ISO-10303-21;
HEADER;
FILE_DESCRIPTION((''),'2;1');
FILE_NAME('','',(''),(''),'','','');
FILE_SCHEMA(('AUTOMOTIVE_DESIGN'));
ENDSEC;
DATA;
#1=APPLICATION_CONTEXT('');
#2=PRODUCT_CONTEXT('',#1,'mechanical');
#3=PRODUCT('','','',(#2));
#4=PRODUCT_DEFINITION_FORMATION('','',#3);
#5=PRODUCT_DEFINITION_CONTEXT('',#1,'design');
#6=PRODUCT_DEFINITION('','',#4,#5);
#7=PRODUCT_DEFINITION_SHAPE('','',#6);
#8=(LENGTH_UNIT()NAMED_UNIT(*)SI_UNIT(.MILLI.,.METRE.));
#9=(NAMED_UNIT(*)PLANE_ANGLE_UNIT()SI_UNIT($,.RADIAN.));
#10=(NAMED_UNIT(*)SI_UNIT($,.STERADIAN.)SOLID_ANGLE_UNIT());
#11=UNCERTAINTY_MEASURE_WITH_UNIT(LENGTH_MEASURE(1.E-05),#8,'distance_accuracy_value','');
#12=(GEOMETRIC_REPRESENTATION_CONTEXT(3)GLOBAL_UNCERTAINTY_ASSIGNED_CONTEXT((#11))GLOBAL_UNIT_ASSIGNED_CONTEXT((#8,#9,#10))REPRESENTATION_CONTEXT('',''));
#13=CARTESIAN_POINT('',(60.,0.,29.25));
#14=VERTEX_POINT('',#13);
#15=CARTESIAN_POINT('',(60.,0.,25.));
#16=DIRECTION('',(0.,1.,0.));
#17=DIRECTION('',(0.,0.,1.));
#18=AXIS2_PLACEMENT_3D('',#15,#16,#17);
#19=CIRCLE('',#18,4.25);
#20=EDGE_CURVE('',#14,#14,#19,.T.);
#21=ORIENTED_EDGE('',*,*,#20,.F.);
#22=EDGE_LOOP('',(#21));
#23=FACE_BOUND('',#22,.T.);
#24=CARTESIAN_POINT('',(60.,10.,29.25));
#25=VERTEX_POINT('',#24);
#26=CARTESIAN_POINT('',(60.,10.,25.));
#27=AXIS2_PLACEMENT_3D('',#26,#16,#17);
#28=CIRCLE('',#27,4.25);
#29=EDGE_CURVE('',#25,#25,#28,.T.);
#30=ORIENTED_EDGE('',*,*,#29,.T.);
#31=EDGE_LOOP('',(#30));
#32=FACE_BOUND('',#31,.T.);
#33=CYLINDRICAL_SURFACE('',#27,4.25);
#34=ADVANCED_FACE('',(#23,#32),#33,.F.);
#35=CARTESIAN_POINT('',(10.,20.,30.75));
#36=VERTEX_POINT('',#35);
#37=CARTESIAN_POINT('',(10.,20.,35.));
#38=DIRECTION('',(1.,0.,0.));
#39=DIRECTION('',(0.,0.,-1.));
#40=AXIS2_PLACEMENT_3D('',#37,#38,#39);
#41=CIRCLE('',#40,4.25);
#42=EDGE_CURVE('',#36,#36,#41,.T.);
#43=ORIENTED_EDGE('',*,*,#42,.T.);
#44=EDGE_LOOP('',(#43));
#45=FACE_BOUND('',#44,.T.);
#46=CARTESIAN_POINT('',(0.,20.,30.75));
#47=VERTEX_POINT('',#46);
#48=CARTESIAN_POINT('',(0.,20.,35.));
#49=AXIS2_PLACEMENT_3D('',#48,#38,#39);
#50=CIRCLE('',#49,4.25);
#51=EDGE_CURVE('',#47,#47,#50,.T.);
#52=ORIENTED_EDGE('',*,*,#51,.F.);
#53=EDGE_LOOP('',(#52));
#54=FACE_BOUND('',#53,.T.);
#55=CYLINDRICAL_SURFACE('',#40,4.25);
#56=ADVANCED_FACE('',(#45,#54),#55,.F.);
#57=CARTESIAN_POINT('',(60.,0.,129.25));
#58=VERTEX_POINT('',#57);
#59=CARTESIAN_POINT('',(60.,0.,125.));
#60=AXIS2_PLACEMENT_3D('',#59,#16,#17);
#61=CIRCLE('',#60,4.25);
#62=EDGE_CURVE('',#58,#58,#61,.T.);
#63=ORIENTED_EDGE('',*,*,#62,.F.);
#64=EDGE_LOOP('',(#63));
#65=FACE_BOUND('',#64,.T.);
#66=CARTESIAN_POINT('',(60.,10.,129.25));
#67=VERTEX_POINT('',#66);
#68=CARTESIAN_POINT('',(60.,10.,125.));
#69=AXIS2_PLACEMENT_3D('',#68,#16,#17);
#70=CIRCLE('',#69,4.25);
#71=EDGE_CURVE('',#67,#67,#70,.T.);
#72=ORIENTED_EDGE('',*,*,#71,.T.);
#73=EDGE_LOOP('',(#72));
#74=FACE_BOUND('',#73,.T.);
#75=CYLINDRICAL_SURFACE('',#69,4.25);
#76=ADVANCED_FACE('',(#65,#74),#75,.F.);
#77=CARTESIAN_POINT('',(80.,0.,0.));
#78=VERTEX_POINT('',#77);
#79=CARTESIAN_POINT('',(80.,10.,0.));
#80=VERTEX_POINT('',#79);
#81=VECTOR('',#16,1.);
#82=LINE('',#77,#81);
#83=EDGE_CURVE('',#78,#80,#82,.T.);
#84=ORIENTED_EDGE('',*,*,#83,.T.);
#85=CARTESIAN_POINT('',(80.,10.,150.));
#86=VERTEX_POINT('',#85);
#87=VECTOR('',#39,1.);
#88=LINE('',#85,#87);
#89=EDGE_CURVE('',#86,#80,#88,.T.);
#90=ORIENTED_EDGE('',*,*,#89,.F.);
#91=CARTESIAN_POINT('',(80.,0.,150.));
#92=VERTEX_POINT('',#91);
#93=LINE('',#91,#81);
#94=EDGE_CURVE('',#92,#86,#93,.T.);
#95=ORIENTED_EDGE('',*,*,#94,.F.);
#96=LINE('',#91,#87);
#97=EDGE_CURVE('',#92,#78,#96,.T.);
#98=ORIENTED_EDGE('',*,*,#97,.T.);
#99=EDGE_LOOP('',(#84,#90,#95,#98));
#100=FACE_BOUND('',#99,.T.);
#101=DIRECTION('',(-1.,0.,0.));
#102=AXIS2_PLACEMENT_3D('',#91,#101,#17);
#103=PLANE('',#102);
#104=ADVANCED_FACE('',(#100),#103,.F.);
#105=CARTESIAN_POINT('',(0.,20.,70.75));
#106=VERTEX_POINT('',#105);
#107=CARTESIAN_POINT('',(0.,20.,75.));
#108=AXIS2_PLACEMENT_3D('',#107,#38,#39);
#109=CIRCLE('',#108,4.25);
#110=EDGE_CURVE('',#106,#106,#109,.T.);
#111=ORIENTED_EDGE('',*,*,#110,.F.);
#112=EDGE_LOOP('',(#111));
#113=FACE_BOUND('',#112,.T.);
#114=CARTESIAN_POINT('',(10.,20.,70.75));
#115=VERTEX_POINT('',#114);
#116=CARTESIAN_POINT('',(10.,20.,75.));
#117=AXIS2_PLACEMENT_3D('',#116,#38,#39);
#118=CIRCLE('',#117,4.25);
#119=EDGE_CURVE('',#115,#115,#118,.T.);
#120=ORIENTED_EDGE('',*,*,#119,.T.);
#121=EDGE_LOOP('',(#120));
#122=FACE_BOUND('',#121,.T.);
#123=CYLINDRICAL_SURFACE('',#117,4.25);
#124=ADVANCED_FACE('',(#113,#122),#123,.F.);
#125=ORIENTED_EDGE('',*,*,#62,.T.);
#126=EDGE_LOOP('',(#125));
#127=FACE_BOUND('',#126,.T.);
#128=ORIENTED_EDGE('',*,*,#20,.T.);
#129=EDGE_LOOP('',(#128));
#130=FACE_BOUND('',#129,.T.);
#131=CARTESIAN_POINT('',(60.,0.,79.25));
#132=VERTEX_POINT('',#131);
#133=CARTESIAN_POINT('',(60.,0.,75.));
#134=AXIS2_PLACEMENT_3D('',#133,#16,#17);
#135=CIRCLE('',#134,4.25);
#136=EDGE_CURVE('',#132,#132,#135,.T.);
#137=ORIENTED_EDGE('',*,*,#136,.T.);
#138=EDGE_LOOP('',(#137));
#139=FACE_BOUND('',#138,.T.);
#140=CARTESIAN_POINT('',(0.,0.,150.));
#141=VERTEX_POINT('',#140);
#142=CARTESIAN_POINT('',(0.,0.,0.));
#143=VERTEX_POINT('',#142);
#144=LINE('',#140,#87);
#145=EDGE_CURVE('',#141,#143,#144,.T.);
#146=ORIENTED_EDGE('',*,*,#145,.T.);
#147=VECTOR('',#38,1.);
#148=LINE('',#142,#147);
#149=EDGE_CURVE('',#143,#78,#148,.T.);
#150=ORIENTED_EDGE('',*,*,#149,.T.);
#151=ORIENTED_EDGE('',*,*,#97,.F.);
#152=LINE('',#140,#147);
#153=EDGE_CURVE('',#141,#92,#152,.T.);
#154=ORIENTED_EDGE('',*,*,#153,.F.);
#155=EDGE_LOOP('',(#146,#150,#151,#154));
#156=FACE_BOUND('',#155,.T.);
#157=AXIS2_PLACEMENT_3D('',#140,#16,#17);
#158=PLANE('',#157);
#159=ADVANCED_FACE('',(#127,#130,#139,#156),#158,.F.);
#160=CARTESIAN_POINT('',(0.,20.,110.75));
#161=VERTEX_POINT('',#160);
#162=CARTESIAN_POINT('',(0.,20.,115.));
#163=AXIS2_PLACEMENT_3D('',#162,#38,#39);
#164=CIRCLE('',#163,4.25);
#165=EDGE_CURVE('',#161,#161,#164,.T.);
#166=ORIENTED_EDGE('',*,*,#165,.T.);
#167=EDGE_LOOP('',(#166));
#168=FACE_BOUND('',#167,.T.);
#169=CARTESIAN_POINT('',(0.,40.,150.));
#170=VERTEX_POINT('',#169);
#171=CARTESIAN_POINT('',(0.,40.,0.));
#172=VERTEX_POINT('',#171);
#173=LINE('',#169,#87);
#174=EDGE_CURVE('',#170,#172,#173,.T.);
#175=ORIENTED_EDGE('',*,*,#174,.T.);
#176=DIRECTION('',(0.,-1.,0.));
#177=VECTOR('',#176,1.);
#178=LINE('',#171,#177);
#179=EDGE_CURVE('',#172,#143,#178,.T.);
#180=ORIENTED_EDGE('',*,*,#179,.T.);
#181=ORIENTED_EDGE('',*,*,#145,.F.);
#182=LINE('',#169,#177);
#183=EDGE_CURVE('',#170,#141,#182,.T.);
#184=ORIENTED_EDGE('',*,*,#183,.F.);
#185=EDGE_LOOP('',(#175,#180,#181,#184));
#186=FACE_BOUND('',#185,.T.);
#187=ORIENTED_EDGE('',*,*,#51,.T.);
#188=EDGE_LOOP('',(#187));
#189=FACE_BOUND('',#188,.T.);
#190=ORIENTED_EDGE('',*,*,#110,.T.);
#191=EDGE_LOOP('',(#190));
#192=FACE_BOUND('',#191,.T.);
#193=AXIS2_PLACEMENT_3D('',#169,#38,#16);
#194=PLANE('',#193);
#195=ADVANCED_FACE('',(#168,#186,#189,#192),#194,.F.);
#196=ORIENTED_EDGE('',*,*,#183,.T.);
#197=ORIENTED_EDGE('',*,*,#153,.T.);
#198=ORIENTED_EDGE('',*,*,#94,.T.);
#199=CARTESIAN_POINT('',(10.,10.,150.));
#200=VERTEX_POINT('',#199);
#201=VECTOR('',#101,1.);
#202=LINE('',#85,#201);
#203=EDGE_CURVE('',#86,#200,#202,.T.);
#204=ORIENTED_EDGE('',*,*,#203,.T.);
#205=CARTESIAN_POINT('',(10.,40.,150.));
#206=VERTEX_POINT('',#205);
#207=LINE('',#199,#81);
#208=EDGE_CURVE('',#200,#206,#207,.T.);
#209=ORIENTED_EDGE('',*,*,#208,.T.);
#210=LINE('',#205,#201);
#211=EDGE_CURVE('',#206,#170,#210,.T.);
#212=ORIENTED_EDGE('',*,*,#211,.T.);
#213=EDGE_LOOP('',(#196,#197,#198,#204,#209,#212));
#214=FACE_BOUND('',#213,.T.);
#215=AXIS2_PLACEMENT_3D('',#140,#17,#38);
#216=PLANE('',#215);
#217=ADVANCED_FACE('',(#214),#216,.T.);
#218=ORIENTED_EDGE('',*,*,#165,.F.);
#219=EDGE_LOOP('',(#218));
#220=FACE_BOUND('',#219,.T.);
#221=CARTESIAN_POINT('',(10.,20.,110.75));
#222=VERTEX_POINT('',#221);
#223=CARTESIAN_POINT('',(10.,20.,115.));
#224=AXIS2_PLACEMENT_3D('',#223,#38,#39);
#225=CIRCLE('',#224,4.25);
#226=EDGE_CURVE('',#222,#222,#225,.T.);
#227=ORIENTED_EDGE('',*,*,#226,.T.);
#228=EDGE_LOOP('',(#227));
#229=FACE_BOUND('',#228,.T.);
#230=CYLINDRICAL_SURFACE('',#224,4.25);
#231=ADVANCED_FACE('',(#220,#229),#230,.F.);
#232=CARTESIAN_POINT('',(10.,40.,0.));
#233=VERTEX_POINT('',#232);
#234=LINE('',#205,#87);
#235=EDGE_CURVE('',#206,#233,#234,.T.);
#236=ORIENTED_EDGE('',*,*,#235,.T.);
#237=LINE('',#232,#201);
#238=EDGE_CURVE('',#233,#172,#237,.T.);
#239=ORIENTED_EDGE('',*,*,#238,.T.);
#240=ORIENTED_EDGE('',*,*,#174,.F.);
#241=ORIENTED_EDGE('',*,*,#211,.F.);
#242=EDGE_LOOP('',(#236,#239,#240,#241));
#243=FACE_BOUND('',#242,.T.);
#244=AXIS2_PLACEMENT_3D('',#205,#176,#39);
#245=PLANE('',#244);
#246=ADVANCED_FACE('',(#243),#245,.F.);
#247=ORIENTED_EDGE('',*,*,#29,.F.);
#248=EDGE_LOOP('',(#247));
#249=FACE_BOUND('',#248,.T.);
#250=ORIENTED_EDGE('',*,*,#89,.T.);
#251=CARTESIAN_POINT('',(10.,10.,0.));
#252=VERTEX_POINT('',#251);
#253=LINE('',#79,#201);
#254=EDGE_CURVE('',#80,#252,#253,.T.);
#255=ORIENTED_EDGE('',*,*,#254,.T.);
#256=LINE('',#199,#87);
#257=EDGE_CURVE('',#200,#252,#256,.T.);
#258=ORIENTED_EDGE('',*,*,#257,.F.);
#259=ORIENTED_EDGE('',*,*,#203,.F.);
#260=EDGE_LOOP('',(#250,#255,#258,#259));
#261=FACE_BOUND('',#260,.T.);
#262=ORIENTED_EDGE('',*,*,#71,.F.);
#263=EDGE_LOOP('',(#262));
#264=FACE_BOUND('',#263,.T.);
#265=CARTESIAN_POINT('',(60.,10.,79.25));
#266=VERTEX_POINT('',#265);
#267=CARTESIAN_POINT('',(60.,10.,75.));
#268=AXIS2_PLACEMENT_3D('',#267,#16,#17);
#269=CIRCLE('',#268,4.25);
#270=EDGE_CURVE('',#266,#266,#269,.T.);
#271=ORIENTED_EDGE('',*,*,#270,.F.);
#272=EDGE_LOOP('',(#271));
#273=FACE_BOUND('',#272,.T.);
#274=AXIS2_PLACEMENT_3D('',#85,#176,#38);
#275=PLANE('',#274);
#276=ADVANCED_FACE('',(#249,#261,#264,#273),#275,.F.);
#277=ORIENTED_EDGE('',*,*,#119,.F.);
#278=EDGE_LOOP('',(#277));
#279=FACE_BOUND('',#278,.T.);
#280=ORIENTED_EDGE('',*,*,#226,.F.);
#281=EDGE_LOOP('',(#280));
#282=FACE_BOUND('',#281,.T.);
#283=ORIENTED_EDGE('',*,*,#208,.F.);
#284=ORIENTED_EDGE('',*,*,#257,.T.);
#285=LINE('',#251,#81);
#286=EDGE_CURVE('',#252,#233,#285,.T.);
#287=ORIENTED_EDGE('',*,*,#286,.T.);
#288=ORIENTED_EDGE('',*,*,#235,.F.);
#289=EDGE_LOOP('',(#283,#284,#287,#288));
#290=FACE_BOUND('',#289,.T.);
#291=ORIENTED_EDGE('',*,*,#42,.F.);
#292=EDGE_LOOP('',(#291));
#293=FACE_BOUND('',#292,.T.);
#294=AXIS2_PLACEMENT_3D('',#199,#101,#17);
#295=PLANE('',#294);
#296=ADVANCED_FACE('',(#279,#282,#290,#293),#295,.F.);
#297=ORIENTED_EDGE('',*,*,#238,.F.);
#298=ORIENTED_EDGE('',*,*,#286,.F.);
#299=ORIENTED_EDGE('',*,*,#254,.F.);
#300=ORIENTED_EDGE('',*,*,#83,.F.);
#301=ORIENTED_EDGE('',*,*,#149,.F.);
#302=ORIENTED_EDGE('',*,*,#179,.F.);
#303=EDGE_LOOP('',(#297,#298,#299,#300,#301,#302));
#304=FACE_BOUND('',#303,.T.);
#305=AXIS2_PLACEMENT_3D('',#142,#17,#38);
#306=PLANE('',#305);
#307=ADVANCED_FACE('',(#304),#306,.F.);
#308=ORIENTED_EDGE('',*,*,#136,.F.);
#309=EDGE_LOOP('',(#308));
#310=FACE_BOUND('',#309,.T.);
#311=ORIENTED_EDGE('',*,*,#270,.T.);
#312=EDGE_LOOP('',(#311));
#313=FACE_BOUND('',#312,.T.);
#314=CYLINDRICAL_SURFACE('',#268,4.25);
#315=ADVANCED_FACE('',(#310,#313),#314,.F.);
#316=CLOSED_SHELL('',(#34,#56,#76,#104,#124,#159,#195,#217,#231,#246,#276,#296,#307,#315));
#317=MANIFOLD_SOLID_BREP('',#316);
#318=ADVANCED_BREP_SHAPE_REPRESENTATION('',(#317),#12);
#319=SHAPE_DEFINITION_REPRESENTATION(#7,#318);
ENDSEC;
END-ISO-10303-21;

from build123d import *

# Parameters (mm, degrees)
EXTRUDE_1_DEPTH                   = 150
HOLE_WIZARD_8_5_8_5_1_D           = 8.5
HOLE_WIZARD_8_5_8_5_1_ON_FACE_2_D = 8.5


with BuildPart() as part:
    # 草图1 → 凸台-拉伸1 (new body)
    with BuildSketch(Plane.XY):
        Polygon((0, 40), (0, 0), (80, 0), (80, 10), (10, 10), (10, 40), align=None)
    extrude(amount=EXTRUDE_1_DEPTH)

    # Ø8.5 (8.5) 直径孔1 (through all)
    with Locations(Plane(origin=(10, 20, 115), x_dir=(0, 0, 1), z_dir=(1, 0, 0))):
        with Locations((0, 0), (-80, 0), (-40, 0)):
            Hole(HOLE_WIZARD_8_5_8_5_1_D / 2)

    # Ø8.5 (8.5) 直径孔1 on face 2 (through all)
    with Locations(Plane(origin=(60, 10, 125), x_dir=(0, 0, 1), z_dir=(0, 1, 0))):
        with Locations((0, 0), (-100, 0), (-50, 0)):
            Hole(HOLE_WIZARD_8_5_8_5_1_ON_FACE_2_D / 2)


solid = part.part
